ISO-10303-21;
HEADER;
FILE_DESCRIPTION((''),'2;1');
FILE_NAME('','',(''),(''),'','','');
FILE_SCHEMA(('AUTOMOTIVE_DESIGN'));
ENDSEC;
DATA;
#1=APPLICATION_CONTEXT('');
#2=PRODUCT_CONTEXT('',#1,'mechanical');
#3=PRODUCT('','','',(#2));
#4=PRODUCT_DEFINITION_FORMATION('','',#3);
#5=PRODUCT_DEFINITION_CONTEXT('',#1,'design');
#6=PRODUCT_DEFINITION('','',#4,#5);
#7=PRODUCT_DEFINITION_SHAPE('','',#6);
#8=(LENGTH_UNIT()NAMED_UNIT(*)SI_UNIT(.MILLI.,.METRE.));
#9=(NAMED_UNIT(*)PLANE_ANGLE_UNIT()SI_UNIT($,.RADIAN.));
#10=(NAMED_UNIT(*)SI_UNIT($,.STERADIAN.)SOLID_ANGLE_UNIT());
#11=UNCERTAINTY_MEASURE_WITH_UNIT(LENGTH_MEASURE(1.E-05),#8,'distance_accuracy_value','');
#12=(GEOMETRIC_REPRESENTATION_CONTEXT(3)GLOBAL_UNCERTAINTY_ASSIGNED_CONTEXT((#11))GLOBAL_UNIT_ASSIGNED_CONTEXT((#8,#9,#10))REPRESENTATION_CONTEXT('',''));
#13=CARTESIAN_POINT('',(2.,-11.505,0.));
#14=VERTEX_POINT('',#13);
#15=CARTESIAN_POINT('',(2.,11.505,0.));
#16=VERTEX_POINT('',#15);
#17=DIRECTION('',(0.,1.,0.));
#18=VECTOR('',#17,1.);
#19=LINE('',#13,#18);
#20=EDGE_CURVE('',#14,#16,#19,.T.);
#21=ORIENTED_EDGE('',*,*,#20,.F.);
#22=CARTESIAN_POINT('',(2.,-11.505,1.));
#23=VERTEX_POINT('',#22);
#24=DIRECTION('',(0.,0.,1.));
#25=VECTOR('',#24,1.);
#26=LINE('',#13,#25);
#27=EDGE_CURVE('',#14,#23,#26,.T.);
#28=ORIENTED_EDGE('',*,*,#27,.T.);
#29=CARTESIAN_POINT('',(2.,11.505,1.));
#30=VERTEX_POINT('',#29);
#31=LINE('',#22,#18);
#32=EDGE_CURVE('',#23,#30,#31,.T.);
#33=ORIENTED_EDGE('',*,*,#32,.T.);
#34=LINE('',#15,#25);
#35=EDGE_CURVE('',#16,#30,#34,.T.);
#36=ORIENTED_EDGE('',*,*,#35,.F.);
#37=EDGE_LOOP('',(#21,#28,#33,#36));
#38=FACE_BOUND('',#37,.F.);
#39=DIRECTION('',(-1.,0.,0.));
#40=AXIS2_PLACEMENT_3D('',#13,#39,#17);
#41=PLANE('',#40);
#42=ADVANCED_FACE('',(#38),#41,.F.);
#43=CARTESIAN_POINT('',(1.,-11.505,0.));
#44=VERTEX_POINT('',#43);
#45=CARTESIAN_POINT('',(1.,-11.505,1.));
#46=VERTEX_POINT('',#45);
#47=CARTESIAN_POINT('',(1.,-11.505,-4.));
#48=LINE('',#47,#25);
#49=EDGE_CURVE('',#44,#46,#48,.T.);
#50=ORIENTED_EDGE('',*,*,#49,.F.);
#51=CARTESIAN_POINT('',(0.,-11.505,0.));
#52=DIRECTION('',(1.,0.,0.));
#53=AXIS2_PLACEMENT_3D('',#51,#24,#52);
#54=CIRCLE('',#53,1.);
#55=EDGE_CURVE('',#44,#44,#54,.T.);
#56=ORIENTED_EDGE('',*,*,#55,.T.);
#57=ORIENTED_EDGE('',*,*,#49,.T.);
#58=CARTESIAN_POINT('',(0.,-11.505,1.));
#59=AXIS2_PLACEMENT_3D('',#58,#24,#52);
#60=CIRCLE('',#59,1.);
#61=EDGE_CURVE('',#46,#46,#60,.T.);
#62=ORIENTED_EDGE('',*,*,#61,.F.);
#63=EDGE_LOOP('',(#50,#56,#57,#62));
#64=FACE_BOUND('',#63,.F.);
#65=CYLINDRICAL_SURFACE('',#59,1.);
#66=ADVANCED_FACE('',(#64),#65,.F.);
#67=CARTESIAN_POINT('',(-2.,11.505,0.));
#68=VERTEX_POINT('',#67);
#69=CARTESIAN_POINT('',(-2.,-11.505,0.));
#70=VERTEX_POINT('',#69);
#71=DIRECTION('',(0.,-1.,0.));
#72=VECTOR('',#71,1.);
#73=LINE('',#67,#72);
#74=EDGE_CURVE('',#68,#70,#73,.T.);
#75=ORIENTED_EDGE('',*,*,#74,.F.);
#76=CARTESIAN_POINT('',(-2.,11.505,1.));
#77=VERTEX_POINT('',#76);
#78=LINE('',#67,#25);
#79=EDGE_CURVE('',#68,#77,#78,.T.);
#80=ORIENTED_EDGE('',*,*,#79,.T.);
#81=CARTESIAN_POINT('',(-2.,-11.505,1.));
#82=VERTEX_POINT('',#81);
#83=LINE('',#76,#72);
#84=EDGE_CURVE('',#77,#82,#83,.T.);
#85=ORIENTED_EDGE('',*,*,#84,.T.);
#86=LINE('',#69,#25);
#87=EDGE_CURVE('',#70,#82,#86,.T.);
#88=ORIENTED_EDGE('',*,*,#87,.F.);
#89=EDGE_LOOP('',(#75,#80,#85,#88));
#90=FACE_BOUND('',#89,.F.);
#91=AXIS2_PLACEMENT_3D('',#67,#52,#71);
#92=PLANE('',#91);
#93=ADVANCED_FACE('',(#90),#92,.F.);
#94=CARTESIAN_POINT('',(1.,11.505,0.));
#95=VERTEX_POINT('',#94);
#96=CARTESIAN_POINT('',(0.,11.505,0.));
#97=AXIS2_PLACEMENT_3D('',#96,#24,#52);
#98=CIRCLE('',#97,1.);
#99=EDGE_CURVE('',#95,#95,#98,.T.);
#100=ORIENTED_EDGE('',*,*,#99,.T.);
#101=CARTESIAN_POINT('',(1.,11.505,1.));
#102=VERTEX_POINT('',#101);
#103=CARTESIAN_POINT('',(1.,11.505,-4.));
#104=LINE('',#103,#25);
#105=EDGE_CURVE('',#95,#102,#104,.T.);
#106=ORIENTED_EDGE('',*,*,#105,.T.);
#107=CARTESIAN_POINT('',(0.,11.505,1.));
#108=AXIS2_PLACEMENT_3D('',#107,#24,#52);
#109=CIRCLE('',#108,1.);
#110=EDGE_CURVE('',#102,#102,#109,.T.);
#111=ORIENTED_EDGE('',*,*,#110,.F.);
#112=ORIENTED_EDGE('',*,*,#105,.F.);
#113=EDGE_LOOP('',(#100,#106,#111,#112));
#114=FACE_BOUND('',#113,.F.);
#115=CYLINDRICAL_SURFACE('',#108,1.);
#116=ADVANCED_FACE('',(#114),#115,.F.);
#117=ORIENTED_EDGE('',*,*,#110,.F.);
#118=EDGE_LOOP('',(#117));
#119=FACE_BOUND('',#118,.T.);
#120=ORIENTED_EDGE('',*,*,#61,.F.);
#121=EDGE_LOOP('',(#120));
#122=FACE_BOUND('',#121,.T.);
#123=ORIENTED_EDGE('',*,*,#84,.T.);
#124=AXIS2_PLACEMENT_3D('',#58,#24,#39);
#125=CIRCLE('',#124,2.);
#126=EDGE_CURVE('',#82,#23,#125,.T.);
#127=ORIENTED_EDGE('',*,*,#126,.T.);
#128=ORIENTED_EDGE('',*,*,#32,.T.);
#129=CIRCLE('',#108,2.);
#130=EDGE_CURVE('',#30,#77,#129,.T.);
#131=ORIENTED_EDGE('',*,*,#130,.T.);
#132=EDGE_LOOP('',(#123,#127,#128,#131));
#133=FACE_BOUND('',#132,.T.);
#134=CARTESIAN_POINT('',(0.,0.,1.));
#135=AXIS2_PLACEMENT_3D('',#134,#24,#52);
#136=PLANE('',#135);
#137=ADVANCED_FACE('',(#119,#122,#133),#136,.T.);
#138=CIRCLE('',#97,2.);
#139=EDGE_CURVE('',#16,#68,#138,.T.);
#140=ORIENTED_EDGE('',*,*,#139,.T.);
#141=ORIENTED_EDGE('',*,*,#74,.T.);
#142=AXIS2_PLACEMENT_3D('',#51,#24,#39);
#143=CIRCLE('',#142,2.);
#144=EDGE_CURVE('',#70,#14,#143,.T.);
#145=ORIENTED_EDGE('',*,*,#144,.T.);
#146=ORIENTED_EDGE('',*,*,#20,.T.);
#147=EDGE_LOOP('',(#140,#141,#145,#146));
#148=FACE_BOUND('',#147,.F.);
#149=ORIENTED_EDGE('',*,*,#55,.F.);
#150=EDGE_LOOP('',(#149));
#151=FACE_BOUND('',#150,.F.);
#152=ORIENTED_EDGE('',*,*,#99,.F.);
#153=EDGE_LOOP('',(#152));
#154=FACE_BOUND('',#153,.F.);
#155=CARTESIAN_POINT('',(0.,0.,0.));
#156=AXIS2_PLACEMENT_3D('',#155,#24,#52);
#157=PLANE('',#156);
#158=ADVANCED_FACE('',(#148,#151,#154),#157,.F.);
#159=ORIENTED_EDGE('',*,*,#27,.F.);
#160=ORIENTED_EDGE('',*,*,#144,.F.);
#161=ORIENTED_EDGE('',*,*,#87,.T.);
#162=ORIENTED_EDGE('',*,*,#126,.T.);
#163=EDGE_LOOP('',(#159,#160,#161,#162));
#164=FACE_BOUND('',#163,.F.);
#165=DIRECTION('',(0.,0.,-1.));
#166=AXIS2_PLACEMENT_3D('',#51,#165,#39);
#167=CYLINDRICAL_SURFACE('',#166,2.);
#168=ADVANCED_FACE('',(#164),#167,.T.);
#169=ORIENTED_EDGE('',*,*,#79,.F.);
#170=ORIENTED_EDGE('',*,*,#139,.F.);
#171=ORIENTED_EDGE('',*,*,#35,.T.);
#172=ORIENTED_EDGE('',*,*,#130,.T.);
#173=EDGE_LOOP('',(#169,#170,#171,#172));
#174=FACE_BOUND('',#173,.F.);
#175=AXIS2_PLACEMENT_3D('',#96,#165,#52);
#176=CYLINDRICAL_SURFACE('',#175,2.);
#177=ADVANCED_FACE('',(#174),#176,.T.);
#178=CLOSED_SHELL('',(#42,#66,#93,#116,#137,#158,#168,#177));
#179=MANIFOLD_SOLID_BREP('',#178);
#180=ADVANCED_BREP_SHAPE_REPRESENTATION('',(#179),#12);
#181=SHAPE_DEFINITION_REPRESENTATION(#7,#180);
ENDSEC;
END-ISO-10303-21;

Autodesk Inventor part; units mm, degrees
ref_plane "YZ Plane" through (0, 0, 0) normal (1, 0, 0) x (0, 1, 0)
ref_plane "XZ Plane" through (0, 0, 0) normal (0, 1, 0) x (-1, 0, 0)
ref_plane "XY Plane" through (0, 0, 0) normal (0, 0, 1) x (1, 0, 0)
sketch "草圖1" plane through (0, 0, 0) normal (0, 0, 1) x (1, 0, 0)
  line L0 (0, -11.505) -> (0, 11.505) construction
  line L1 (2, -11.505) -> (2, 11.505)
  line L2 (-2, 11.505) -> (-2, -11.505)
  arc A0 (-2, -11.505) -> (2, -11.505) centre (0, -11.505) ccw
  arc A1 (2, 11.505) -> (-2, 11.505) centre (0, 11.505) ccw
  point P0 (0, 0)
  dimension "d0" = 23.01
  dimension "d1" = 4
extrude "擠出1" add sketch "草圖1" along normal blind 1
sketch "草圖2" plane through (0, 0, 1) normal (0, 0, 1) x (1, 0, 0)
  arc A0 (2, 11.505) -> (-2, 11.505) centre (0, 11.505) ccw projected
  circle A1 centre (0, 11.505) radius 0.75
  arc A2 (-2, -11.505) -> (2, -11.505) centre (0, -11.505) ccw projected
  circle A3 centre (0, -11.505) radius 0.75
  point P0 (0, 0)
  dimension "d4" = 1.5
  dimension "d5" = 1.5
extrude "擠出2" add sketch "草圖2" along normal blind 1
sketch "草圖3" plane through (0, 0, 1) normal (0, 0, 1) x (1, 0, 0)
  circle A0 centre (0, 11.505) radius 0.75 projected
  circle A1 centre (0, -11.505) radius 0.75 projected
  circle A2 centre (0, 11.505) radius 1
  circle A3 centre (0, -11.505) radius 1
  point P0 (0, 0)
  dimension "d8" = 2
  dimension "d9" = 2
extrude "擠出3" cut sketch "草圖3" along normal mid plane 10 contours A0 | A1 | A2 | A3
properties part number "連桿2"
